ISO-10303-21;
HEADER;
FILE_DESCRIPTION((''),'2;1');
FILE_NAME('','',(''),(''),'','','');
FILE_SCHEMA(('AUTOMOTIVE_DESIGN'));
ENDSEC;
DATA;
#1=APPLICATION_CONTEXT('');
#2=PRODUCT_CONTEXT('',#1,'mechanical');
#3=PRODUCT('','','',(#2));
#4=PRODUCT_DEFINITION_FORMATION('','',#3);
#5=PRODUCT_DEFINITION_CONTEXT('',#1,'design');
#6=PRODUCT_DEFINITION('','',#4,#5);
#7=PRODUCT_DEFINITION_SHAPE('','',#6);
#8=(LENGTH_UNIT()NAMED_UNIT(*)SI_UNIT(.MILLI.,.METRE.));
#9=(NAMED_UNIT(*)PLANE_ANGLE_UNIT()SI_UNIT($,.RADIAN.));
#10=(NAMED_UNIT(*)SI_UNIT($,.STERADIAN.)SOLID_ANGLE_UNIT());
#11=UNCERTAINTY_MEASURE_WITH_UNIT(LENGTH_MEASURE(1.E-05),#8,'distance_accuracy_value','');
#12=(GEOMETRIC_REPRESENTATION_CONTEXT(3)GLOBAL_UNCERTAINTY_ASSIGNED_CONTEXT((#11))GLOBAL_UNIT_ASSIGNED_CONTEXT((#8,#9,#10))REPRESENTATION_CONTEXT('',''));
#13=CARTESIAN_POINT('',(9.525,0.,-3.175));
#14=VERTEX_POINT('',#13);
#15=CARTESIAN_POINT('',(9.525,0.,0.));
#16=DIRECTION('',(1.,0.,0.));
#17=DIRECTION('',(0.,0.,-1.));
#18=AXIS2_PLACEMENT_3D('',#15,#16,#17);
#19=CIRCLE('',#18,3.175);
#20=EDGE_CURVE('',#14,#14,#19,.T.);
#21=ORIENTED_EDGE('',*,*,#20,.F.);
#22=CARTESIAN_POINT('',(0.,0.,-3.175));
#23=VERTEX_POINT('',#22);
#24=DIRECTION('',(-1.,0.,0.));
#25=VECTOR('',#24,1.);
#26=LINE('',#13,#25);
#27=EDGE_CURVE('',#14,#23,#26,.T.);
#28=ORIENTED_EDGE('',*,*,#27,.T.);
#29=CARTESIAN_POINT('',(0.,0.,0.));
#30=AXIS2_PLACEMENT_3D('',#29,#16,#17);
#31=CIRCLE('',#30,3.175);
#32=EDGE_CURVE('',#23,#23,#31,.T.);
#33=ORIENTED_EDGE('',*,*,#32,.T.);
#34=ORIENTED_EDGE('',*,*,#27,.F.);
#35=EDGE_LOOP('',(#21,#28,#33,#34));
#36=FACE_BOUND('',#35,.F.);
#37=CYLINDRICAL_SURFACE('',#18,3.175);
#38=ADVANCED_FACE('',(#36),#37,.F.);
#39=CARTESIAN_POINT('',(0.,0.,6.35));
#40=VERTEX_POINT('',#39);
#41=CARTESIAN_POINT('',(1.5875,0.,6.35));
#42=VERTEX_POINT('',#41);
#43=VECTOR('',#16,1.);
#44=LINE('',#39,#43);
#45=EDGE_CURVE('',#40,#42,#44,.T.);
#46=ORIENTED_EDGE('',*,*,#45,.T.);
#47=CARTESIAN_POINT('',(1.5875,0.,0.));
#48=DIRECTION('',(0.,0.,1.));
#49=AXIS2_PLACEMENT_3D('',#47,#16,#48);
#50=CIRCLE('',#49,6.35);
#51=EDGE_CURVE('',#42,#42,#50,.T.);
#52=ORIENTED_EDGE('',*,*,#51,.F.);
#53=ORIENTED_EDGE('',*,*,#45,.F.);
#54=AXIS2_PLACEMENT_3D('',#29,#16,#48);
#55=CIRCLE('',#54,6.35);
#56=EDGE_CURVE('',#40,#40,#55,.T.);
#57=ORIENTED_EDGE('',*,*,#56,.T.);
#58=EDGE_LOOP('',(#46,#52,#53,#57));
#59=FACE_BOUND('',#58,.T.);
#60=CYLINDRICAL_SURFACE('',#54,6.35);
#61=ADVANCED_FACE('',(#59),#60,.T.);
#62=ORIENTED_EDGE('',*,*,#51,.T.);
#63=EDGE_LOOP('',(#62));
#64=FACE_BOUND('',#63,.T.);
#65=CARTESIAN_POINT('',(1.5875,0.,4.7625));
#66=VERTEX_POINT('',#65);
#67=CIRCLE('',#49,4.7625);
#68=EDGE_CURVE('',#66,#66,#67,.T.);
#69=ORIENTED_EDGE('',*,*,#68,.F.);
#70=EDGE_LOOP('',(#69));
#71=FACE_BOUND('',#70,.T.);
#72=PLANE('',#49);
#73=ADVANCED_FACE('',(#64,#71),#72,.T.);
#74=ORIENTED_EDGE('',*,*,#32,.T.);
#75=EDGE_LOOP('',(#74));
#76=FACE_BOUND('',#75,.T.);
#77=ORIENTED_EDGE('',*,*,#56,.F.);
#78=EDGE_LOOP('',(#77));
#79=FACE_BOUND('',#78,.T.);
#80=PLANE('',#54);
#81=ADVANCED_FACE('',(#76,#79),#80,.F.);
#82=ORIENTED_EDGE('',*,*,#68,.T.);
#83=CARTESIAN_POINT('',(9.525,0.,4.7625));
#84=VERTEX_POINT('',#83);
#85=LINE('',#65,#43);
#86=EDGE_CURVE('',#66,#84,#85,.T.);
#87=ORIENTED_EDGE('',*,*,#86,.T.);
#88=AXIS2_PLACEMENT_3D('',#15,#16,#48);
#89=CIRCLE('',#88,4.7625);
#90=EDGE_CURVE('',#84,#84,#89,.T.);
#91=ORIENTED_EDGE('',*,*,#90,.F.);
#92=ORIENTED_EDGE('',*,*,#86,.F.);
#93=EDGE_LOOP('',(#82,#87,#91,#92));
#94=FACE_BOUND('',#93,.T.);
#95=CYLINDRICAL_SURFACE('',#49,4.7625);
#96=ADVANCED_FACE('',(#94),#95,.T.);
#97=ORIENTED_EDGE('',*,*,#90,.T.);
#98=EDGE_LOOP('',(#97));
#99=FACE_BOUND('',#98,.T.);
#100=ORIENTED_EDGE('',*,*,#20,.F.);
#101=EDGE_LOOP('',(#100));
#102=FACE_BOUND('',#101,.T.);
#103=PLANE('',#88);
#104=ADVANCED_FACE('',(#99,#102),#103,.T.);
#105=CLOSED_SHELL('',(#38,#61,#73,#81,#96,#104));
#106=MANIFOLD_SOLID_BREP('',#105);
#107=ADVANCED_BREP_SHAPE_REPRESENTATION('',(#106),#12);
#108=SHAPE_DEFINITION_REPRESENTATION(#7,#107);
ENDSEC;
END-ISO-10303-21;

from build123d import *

# Parameters (mm, degrees)
SKETCH2_R      = 3.175
EXTRUDE1_DEPTH = 10.525


with BuildPart() as part:
    # Sketch1 → Revolve1 (revolve)
    with BuildSketch(Plane.XY, mode=Mode.PRIVATE) as revolve1_sk:
        Polygon((0, 0), (0, 6.35), (1.5875, 6.35), (1.5875, 4.7625), (9.525, 4.7625), (9.525, 0), align=None)
    revolve(revolve1_sk.sketch.rotate(Axis((0, 0, 0), (1, 0, 0)), 90), axis=Axis((0, 0, 0), (1, 0, 0)))  # turned: the seam where the file's is

    # Sketch2 → Extrude1 (cut, through all)
    with BuildSketch(Plane(origin=(9.525, 0, 0), x_dir=(0, 0, -1), z_dir=(1, 0, 0))):
        Circle(SKETCH2_R)
    extrude(amount=-EXTRUDE1_DEPTH, mode=Mode.SUBTRACT)


solid = part.part
